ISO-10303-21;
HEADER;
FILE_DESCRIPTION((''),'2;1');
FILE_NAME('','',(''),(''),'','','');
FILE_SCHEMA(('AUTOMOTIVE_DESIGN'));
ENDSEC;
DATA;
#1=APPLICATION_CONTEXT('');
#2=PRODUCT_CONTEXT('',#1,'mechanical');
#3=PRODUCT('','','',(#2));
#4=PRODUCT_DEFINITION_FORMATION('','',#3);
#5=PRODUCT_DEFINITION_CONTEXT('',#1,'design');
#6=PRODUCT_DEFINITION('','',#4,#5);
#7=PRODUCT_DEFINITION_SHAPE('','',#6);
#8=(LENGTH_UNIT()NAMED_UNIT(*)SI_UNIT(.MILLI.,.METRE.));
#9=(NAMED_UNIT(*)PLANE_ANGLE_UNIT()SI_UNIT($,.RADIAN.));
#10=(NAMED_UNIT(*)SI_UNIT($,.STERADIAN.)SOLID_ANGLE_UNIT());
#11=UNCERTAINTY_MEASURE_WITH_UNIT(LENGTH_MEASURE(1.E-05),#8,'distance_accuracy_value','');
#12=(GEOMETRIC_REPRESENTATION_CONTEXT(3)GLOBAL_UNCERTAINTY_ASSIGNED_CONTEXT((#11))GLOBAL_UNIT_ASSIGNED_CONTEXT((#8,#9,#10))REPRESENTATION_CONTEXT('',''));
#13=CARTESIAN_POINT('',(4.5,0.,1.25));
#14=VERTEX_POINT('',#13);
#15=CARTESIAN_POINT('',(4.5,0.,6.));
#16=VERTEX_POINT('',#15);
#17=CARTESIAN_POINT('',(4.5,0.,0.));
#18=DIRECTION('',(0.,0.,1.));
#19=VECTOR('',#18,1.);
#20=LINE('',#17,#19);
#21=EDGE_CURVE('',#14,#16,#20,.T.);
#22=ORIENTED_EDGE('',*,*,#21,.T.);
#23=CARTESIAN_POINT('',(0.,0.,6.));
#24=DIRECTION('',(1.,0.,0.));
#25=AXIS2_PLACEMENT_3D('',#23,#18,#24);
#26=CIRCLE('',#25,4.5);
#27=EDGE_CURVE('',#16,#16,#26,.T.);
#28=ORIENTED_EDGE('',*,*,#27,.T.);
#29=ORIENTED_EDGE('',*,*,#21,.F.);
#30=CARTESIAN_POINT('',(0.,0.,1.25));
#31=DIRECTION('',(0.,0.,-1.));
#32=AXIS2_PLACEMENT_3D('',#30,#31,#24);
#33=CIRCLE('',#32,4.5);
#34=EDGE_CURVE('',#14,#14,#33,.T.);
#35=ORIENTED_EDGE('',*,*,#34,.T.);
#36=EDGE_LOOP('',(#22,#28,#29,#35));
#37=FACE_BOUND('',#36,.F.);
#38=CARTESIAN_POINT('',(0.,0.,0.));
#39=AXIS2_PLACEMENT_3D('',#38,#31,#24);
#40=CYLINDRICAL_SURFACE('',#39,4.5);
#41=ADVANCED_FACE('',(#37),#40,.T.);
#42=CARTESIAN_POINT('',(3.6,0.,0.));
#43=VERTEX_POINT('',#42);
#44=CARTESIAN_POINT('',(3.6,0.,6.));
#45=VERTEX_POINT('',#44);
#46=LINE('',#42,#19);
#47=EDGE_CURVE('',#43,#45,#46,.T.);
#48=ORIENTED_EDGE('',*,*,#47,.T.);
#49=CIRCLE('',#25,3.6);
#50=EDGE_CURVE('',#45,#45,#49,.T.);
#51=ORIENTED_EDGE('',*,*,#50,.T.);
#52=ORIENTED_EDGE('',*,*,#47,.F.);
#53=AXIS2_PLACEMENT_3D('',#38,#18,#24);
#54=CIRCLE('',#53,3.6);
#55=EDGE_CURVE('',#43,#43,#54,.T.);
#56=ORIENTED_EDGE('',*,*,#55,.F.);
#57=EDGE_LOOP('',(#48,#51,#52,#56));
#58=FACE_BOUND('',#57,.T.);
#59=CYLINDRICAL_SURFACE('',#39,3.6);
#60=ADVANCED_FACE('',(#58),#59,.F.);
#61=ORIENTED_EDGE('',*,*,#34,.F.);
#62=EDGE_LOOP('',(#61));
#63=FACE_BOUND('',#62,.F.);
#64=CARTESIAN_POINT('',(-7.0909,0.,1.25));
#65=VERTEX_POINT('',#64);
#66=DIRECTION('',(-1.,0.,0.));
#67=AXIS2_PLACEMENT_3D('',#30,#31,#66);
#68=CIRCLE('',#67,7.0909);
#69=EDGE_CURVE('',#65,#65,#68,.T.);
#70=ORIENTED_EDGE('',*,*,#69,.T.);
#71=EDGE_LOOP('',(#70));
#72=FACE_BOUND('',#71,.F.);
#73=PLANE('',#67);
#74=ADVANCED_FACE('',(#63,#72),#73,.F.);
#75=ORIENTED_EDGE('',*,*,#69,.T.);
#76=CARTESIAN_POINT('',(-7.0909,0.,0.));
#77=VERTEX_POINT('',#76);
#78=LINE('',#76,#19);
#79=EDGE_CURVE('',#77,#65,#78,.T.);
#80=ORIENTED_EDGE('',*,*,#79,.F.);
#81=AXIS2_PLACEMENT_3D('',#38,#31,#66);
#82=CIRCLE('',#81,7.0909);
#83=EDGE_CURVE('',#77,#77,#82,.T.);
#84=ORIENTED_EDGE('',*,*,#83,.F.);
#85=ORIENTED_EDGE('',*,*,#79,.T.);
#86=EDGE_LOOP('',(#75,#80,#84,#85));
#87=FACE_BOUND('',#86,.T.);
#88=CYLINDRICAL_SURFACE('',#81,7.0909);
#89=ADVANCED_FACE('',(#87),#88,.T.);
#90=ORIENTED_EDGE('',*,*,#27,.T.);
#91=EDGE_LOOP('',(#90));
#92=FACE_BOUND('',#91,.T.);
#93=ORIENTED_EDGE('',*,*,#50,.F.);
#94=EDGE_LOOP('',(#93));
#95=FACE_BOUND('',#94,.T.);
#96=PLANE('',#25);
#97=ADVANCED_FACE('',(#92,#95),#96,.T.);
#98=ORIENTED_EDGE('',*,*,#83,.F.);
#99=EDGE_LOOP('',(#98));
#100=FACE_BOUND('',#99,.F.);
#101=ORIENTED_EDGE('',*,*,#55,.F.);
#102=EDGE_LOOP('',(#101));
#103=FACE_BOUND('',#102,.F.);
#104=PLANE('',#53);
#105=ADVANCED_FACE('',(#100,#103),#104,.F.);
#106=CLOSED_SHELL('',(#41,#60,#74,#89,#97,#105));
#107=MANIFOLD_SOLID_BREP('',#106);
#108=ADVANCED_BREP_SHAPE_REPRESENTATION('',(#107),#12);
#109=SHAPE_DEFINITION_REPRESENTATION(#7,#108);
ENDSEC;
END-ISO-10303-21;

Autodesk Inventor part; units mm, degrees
ref_plane "YZ Plane" through (0, 0, 0) normal (1, 0, 0) x (0, 1, 0)
ref_plane "XZ Plane" through (0, 0, 0) normal (0, 1, 0) x (-1, 0, 0)
ref_plane "XY Plane" through (0, 0, 0) normal (0, 0, 1) x (1, 0, 0)
sketch "Sketch1" plane through (0, 0, 0) normal (0, 0, 1) x (1, 0, 0)
  circle A0 centre (0, 0) radius 3.6
  circle A1 centre (0, 0) radius 4.5
  dimension "d0" = 7.2
  dimension "d1" = 9
extrude "Extrusion1" add sketch "Sketch1" along normal blind 6
sketch "Sketch2" plane through (0, 0, 0) normal (0, 0, -1) x (-1, 0, 0)
  circle A0 centre (0, 0) radius 3.6 projected
  circle A1 centre (0, 0) radius 7.0909
extrude "Extrusion2" add sketch "Sketch2" against normal blind 1.25
properties part number "Part1_3DPrint"
